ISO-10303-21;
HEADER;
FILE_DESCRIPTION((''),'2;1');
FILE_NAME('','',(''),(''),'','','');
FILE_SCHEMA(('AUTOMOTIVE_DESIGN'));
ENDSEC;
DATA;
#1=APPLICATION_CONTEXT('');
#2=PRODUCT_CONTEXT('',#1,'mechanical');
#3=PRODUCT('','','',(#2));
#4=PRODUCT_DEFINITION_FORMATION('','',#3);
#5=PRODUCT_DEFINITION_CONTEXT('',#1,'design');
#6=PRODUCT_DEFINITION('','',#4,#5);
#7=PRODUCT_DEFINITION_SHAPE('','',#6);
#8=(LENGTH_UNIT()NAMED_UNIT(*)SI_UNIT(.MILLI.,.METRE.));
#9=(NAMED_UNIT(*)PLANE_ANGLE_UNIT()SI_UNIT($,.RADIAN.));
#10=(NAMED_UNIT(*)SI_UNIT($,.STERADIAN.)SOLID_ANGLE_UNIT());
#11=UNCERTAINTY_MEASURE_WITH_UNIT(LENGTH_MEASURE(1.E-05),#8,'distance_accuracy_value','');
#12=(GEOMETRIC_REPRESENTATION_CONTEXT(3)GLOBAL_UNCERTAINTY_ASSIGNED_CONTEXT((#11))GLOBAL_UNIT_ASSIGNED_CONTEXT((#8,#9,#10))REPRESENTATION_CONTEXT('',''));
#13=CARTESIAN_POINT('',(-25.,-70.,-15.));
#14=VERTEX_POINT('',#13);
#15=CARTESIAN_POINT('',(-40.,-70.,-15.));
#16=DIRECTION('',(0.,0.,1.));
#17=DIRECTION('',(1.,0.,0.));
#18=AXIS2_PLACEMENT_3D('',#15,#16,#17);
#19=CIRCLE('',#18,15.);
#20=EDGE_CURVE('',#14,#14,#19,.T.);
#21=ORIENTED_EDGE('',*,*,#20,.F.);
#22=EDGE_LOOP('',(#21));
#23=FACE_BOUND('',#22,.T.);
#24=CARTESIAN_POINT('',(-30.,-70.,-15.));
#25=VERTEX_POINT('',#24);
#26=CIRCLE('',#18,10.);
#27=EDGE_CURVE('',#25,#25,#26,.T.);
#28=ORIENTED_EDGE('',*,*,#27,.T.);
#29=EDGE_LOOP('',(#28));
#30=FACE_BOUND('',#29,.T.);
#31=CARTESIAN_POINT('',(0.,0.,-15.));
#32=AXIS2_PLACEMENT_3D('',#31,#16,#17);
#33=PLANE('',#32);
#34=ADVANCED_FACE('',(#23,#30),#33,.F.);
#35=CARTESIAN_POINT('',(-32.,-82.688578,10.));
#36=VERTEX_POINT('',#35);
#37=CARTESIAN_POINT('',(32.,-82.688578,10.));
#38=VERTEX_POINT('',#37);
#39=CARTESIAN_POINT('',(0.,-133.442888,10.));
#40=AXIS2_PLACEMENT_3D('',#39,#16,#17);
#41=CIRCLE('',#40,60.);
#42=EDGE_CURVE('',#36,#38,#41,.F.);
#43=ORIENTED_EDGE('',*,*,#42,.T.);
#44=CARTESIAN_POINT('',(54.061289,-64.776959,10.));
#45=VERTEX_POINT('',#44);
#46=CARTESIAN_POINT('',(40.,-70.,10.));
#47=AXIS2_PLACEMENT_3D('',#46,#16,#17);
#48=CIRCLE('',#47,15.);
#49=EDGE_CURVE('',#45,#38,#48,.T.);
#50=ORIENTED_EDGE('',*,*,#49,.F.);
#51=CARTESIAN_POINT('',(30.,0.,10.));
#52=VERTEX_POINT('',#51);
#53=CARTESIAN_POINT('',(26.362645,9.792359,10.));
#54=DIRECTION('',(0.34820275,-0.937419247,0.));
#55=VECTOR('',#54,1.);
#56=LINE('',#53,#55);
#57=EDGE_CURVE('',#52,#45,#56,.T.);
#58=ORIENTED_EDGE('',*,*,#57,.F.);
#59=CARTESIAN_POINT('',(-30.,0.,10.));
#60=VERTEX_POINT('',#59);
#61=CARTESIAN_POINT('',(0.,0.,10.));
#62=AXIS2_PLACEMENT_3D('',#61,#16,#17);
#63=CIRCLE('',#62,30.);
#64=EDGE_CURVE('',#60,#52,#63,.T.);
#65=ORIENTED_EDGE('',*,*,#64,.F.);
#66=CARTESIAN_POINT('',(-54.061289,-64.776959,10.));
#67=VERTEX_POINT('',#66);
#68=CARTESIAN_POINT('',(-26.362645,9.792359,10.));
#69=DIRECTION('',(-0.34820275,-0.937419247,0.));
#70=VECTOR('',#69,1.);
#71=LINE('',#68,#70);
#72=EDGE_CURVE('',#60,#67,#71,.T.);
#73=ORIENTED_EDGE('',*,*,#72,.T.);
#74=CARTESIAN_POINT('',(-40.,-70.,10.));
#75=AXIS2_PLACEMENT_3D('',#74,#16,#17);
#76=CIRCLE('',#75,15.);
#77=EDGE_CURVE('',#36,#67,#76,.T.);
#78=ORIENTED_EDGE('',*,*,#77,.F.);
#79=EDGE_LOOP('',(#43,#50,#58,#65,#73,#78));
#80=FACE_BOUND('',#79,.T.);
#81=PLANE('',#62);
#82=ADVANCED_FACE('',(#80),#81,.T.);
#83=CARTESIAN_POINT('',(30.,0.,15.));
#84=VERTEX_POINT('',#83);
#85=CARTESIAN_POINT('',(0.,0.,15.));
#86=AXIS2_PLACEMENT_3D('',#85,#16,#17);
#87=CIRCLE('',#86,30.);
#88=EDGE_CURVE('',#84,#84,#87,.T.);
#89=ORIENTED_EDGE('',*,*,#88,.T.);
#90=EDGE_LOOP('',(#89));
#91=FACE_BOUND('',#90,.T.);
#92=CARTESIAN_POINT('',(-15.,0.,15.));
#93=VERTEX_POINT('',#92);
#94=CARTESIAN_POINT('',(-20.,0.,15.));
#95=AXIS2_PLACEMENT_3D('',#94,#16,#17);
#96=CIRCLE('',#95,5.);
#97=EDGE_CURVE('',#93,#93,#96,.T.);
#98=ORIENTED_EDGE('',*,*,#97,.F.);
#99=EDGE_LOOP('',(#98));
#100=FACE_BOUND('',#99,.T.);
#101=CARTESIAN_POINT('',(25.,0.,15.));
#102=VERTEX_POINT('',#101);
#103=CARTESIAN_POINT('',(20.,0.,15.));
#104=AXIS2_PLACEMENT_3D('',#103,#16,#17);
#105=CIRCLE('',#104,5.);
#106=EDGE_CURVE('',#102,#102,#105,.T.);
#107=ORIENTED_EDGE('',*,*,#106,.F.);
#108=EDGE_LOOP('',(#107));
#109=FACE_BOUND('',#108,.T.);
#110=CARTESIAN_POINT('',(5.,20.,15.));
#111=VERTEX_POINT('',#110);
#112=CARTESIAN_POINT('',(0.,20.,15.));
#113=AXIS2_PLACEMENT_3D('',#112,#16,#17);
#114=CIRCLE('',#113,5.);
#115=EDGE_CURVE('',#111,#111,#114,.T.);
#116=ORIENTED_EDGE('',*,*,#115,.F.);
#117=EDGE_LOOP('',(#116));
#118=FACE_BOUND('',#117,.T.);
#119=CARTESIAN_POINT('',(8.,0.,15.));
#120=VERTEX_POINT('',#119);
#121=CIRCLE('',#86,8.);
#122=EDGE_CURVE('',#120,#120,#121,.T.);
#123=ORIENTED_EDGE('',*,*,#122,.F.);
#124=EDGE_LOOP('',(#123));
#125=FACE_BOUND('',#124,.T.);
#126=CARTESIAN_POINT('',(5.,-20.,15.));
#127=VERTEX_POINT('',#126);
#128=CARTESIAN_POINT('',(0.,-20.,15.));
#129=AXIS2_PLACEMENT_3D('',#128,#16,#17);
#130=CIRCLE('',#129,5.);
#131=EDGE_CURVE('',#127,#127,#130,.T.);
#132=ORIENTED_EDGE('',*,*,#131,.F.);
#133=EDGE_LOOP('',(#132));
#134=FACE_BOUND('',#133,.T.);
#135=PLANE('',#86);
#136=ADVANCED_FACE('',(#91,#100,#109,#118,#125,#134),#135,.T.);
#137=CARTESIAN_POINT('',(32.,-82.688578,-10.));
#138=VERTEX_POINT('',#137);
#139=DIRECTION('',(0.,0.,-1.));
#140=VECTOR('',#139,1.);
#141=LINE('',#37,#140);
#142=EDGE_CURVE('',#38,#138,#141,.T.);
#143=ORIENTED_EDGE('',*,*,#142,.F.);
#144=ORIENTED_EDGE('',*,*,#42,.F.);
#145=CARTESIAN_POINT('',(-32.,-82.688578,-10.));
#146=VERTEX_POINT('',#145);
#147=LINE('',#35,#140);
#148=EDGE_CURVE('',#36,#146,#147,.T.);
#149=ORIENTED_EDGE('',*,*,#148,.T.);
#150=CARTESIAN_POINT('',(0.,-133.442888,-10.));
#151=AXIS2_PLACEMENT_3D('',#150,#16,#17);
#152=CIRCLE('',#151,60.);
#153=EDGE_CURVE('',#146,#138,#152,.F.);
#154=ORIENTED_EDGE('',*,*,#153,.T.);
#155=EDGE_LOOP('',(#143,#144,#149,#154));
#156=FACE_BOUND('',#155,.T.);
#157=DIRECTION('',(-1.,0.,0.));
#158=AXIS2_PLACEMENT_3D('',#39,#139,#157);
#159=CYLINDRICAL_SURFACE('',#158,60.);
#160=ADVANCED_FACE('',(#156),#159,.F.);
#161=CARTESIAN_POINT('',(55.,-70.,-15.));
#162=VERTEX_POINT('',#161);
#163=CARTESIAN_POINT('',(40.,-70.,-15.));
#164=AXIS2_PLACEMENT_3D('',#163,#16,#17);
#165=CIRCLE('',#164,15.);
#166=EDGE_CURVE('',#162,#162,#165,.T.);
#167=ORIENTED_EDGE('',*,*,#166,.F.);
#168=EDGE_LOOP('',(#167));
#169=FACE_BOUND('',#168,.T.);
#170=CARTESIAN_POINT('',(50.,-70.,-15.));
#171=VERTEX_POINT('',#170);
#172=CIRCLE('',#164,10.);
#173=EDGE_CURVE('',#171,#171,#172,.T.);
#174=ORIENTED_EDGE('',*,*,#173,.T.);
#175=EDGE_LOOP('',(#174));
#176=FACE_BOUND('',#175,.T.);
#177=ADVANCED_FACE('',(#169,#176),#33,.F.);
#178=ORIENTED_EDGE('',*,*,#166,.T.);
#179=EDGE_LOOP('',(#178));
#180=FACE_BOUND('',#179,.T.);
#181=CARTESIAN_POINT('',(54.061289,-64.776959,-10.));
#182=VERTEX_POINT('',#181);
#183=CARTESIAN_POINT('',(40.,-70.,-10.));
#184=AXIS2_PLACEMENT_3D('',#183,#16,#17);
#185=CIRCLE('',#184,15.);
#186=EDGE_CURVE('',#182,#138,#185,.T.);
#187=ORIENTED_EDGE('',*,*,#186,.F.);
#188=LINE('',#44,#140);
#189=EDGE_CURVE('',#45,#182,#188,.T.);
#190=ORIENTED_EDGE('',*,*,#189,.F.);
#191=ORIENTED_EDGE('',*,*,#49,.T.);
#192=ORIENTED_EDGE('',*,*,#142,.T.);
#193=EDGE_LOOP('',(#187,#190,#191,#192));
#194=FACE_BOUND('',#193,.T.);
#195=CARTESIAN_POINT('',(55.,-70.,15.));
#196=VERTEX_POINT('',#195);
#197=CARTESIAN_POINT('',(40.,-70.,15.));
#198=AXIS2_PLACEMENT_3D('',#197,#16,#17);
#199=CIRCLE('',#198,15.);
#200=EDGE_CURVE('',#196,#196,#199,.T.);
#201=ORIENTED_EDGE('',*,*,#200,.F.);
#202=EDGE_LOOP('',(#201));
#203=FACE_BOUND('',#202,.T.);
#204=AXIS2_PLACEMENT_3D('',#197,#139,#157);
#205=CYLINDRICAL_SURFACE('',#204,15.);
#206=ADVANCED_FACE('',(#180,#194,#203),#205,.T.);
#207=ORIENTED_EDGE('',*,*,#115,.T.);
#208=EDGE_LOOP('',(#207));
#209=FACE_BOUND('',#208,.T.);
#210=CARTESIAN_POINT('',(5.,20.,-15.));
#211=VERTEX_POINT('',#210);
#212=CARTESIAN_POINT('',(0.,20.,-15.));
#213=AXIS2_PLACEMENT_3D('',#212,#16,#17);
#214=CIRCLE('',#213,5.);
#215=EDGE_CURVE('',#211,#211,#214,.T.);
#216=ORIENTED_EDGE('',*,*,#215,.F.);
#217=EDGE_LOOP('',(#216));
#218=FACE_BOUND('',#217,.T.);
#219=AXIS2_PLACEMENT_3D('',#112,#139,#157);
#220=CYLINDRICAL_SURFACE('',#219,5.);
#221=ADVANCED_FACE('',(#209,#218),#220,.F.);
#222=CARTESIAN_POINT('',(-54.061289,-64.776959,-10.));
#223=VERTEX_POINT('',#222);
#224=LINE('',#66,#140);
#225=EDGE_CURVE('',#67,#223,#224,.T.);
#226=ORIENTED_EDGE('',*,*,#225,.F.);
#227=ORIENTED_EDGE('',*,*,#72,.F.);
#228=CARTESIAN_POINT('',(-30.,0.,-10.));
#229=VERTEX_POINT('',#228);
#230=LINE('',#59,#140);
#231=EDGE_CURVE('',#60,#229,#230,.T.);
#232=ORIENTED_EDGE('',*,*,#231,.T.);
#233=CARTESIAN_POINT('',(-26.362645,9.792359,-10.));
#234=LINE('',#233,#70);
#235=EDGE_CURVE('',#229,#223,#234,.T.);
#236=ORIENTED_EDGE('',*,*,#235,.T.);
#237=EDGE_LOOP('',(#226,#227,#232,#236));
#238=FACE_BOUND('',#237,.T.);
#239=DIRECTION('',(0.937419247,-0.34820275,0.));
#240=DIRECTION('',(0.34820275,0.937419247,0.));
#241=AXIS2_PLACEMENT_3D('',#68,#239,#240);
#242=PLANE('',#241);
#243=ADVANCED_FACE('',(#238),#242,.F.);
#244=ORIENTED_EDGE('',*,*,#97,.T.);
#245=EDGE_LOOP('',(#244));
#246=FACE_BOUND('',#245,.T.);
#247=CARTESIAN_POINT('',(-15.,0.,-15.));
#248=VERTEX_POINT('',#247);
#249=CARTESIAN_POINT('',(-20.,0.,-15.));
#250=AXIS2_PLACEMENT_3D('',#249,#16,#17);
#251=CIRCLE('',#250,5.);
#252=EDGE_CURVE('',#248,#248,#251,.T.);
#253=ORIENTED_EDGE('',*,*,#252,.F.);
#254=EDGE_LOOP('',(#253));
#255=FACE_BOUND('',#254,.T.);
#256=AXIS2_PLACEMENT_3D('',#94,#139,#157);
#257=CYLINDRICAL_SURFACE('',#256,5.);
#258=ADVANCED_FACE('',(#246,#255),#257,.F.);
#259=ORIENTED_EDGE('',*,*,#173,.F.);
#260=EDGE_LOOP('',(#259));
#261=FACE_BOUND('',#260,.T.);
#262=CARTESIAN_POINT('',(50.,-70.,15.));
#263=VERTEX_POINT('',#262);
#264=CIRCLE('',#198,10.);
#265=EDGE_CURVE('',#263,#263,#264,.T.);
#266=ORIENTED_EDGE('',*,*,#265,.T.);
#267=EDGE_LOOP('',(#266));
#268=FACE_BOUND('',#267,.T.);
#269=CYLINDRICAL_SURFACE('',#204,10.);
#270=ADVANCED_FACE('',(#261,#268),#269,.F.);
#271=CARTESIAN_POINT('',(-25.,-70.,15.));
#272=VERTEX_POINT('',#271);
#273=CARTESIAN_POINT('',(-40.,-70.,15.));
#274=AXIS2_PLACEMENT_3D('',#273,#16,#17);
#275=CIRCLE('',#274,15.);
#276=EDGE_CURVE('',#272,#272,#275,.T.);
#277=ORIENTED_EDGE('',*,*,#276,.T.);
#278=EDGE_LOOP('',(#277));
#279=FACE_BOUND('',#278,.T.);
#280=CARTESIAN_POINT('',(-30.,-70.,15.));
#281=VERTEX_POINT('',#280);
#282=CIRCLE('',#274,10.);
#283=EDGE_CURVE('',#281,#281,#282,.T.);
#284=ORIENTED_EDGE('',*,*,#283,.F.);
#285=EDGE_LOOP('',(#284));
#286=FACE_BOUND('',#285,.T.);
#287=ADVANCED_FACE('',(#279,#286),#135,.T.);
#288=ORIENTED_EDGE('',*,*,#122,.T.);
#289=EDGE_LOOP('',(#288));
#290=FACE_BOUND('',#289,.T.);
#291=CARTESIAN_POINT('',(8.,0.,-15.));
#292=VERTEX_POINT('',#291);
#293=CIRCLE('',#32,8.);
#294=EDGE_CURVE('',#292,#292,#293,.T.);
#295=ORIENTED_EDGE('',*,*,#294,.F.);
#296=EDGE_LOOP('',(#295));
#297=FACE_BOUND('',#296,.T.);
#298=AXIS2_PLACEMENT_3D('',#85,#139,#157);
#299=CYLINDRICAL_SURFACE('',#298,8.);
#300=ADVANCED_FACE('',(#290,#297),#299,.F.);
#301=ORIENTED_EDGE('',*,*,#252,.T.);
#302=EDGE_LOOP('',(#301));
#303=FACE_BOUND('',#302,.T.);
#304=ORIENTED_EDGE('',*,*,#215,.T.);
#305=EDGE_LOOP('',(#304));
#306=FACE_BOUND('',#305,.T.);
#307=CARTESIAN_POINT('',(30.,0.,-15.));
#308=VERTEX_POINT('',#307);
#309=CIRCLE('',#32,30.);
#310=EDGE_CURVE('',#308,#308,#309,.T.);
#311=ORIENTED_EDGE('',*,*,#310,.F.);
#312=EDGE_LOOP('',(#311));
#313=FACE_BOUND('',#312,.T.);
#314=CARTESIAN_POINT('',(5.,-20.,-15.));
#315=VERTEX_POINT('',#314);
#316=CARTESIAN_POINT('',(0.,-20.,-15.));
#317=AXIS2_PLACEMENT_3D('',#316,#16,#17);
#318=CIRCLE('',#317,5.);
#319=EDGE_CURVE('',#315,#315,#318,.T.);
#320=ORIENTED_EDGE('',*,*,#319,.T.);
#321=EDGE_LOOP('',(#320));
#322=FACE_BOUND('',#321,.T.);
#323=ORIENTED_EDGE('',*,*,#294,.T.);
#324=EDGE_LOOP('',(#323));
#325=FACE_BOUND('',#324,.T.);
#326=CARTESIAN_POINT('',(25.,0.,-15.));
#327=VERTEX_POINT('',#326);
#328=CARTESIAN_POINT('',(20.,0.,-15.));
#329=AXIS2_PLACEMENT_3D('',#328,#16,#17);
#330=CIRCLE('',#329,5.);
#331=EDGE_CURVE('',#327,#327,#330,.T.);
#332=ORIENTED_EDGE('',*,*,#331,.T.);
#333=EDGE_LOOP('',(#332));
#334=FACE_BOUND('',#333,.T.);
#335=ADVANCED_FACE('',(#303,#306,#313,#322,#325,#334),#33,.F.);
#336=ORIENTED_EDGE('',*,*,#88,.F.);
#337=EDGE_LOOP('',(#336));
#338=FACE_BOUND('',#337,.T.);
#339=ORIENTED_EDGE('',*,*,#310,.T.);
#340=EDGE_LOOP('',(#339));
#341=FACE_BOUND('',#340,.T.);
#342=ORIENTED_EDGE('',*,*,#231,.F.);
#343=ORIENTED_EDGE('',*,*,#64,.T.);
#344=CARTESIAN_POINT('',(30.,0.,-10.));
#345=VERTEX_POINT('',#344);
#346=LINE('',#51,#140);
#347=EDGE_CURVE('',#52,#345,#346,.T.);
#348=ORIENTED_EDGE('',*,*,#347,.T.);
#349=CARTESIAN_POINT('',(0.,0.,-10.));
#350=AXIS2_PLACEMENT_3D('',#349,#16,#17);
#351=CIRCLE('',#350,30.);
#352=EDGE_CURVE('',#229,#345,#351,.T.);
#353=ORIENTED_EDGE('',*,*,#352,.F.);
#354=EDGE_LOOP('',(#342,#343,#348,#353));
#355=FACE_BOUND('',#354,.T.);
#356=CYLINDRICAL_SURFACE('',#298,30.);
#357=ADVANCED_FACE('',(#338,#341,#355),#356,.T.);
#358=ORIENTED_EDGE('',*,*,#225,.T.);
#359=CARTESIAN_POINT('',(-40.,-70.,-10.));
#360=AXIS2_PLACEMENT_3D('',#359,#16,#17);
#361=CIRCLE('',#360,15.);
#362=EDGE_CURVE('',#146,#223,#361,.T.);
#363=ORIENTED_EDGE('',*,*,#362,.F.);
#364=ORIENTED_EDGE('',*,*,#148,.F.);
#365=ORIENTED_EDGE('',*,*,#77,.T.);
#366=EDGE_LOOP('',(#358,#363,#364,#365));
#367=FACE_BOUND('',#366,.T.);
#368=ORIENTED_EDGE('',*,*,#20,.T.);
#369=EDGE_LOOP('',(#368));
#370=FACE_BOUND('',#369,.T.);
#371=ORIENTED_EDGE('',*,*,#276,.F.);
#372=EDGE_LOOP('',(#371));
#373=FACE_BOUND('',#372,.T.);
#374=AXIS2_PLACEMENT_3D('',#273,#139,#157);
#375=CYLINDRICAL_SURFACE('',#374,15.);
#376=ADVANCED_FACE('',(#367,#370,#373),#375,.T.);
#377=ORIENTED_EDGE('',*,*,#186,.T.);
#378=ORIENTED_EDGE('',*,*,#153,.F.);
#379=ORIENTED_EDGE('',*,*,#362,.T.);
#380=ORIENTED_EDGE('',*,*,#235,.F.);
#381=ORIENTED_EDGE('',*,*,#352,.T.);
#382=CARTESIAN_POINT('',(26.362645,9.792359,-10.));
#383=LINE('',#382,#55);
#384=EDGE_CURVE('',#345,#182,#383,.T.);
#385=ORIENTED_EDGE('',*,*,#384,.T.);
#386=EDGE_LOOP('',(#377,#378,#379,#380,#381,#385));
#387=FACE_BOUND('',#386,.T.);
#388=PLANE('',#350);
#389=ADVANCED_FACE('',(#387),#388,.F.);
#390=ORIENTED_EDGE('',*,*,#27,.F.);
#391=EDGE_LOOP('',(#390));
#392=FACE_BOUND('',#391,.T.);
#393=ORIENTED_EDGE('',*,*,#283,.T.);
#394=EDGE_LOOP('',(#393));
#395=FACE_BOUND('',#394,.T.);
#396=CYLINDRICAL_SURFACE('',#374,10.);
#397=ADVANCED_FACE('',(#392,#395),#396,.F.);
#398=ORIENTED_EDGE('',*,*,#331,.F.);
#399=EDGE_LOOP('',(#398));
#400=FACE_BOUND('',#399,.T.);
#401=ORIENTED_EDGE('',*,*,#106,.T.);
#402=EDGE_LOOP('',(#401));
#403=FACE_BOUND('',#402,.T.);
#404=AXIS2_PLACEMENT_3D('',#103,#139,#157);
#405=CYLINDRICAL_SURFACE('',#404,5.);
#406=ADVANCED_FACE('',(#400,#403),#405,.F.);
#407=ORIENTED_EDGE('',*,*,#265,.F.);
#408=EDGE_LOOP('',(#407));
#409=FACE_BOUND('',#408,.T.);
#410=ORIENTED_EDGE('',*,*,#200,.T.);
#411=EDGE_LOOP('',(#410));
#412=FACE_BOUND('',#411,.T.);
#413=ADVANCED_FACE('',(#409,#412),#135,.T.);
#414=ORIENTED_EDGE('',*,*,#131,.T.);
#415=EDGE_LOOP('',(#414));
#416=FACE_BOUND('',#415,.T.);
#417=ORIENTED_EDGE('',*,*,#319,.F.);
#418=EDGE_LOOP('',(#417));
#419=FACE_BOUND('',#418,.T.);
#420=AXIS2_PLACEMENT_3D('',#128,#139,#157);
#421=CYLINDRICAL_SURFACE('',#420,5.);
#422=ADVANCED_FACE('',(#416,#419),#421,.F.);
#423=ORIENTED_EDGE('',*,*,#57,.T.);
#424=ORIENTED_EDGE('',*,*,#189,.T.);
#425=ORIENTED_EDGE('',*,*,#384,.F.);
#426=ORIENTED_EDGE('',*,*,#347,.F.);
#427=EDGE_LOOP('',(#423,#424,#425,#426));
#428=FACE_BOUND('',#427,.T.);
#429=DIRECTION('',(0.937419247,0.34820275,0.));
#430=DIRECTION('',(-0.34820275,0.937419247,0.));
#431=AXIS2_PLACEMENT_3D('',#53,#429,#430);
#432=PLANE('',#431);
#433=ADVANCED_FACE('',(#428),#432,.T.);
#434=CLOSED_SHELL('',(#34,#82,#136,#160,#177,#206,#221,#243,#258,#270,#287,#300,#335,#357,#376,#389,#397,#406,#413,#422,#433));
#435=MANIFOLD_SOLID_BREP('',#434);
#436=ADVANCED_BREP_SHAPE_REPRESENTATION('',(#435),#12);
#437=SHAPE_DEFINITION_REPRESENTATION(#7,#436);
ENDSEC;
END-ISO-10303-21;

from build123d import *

# Parameters (mm, degrees)
SKETCH1_R             = 30
SKETCH1_R_2           = 5
SKETCH1_R_3           = 8
BOSS_EXTRUDE1_DEPTH   = 15
SKETCH1_R_4           = 15
SKETCH1_R_5           = 10
BOSS_EXTRUDE1_2_DEPTH = 15
BOSS_EXTRUDE1_3_DEPTH = 15
BOSS_EXTRUDE2_DEPTH   = 10


with BuildPart() as part:
    # Sketch1 → Boss-Extrude1 (new, symmetric)
    with BuildSketch(Plane.XY):
        Circle(SKETCH1_R)
        with Locations((0, -20)):
            Circle(SKETCH1_R_2, mode=Mode.SUBTRACT)
        with Locations((-20, 0)):
            Circle(SKETCH1_R_2, mode=Mode.SUBTRACT)
        Circle(SKETCH1_R_3, mode=Mode.SUBTRACT)
        with Locations((0, 20)):
            Circle(SKETCH1_R_2, mode=Mode.SUBTRACT)
        with Locations((20, 0)):
            Circle(SKETCH1_R_2, mode=Mode.SUBTRACT)
    extrude(amount=BOSS_EXTRUDE1_DEPTH, both=True)



with BuildPart() as body_2:
    # Sketch1 → Boss-Extrude1 2 (new, symmetric)
    with BuildSketch(Plane.XY):
        with Locations((-40, -70)):
            Circle(SKETCH1_R_4)
        with Locations((-40, -70)):
            Circle(SKETCH1_R_5, mode=Mode.SUBTRACT)
    extrude(amount=BOSS_EXTRUDE1_2_DEPTH, both=True)


with BuildPart() as body_3:
    # Sketch1 → Boss-Extrude1 3 (new, symmetric)
    with BuildSketch(Plane.XY):
        with Locations((40, -70)):
            Circle(SKETCH1_R_4)
        with Locations((40, -70)):
            Circle(SKETCH1_R_5, mode=Mode.SUBTRACT)
    extrude(amount=BOSS_EXTRUDE1_3_DEPTH, both=True)


with BuildPart() as part_1:
    add(part.part)

    add(body_2.part)  # Boss-Extrude2 merges body 2

    add(body_3.part)  # Boss-Extrude2 merges body 3
    # Sketch1<3> → Boss-Extrude2 (add, symmetric)
    with BuildSketch(Plane.XY):
        with BuildLine():
            ThreePointArc((30, 0), (0, -30), (-30, 0))
            Line((-30, 0), (-54.061288709, -64.776958756))
            ThreePointArc((-54.061288709, -64.776958756), (-37.3466371, -55.236542908), (-25, -70))
            ThreePointArc((-25, -70), (-26.866074463, -77.245688373), (-32, -82.68857754))
            ThreePointArc((-32, -82.68857754), (0, -73.442887702), (32, -82.68857754))
            ThreePointArc((32, -82.68857754), (30.545301323, -58.354886307), (54.061288709, -64.776958756))
            Line((54.061288709, -64.776958756), (30, 0))
        make_face()
    extrude(amount=BOSS_EXTRUDE2_DEPTH, both=True)


solid = part_1.part
